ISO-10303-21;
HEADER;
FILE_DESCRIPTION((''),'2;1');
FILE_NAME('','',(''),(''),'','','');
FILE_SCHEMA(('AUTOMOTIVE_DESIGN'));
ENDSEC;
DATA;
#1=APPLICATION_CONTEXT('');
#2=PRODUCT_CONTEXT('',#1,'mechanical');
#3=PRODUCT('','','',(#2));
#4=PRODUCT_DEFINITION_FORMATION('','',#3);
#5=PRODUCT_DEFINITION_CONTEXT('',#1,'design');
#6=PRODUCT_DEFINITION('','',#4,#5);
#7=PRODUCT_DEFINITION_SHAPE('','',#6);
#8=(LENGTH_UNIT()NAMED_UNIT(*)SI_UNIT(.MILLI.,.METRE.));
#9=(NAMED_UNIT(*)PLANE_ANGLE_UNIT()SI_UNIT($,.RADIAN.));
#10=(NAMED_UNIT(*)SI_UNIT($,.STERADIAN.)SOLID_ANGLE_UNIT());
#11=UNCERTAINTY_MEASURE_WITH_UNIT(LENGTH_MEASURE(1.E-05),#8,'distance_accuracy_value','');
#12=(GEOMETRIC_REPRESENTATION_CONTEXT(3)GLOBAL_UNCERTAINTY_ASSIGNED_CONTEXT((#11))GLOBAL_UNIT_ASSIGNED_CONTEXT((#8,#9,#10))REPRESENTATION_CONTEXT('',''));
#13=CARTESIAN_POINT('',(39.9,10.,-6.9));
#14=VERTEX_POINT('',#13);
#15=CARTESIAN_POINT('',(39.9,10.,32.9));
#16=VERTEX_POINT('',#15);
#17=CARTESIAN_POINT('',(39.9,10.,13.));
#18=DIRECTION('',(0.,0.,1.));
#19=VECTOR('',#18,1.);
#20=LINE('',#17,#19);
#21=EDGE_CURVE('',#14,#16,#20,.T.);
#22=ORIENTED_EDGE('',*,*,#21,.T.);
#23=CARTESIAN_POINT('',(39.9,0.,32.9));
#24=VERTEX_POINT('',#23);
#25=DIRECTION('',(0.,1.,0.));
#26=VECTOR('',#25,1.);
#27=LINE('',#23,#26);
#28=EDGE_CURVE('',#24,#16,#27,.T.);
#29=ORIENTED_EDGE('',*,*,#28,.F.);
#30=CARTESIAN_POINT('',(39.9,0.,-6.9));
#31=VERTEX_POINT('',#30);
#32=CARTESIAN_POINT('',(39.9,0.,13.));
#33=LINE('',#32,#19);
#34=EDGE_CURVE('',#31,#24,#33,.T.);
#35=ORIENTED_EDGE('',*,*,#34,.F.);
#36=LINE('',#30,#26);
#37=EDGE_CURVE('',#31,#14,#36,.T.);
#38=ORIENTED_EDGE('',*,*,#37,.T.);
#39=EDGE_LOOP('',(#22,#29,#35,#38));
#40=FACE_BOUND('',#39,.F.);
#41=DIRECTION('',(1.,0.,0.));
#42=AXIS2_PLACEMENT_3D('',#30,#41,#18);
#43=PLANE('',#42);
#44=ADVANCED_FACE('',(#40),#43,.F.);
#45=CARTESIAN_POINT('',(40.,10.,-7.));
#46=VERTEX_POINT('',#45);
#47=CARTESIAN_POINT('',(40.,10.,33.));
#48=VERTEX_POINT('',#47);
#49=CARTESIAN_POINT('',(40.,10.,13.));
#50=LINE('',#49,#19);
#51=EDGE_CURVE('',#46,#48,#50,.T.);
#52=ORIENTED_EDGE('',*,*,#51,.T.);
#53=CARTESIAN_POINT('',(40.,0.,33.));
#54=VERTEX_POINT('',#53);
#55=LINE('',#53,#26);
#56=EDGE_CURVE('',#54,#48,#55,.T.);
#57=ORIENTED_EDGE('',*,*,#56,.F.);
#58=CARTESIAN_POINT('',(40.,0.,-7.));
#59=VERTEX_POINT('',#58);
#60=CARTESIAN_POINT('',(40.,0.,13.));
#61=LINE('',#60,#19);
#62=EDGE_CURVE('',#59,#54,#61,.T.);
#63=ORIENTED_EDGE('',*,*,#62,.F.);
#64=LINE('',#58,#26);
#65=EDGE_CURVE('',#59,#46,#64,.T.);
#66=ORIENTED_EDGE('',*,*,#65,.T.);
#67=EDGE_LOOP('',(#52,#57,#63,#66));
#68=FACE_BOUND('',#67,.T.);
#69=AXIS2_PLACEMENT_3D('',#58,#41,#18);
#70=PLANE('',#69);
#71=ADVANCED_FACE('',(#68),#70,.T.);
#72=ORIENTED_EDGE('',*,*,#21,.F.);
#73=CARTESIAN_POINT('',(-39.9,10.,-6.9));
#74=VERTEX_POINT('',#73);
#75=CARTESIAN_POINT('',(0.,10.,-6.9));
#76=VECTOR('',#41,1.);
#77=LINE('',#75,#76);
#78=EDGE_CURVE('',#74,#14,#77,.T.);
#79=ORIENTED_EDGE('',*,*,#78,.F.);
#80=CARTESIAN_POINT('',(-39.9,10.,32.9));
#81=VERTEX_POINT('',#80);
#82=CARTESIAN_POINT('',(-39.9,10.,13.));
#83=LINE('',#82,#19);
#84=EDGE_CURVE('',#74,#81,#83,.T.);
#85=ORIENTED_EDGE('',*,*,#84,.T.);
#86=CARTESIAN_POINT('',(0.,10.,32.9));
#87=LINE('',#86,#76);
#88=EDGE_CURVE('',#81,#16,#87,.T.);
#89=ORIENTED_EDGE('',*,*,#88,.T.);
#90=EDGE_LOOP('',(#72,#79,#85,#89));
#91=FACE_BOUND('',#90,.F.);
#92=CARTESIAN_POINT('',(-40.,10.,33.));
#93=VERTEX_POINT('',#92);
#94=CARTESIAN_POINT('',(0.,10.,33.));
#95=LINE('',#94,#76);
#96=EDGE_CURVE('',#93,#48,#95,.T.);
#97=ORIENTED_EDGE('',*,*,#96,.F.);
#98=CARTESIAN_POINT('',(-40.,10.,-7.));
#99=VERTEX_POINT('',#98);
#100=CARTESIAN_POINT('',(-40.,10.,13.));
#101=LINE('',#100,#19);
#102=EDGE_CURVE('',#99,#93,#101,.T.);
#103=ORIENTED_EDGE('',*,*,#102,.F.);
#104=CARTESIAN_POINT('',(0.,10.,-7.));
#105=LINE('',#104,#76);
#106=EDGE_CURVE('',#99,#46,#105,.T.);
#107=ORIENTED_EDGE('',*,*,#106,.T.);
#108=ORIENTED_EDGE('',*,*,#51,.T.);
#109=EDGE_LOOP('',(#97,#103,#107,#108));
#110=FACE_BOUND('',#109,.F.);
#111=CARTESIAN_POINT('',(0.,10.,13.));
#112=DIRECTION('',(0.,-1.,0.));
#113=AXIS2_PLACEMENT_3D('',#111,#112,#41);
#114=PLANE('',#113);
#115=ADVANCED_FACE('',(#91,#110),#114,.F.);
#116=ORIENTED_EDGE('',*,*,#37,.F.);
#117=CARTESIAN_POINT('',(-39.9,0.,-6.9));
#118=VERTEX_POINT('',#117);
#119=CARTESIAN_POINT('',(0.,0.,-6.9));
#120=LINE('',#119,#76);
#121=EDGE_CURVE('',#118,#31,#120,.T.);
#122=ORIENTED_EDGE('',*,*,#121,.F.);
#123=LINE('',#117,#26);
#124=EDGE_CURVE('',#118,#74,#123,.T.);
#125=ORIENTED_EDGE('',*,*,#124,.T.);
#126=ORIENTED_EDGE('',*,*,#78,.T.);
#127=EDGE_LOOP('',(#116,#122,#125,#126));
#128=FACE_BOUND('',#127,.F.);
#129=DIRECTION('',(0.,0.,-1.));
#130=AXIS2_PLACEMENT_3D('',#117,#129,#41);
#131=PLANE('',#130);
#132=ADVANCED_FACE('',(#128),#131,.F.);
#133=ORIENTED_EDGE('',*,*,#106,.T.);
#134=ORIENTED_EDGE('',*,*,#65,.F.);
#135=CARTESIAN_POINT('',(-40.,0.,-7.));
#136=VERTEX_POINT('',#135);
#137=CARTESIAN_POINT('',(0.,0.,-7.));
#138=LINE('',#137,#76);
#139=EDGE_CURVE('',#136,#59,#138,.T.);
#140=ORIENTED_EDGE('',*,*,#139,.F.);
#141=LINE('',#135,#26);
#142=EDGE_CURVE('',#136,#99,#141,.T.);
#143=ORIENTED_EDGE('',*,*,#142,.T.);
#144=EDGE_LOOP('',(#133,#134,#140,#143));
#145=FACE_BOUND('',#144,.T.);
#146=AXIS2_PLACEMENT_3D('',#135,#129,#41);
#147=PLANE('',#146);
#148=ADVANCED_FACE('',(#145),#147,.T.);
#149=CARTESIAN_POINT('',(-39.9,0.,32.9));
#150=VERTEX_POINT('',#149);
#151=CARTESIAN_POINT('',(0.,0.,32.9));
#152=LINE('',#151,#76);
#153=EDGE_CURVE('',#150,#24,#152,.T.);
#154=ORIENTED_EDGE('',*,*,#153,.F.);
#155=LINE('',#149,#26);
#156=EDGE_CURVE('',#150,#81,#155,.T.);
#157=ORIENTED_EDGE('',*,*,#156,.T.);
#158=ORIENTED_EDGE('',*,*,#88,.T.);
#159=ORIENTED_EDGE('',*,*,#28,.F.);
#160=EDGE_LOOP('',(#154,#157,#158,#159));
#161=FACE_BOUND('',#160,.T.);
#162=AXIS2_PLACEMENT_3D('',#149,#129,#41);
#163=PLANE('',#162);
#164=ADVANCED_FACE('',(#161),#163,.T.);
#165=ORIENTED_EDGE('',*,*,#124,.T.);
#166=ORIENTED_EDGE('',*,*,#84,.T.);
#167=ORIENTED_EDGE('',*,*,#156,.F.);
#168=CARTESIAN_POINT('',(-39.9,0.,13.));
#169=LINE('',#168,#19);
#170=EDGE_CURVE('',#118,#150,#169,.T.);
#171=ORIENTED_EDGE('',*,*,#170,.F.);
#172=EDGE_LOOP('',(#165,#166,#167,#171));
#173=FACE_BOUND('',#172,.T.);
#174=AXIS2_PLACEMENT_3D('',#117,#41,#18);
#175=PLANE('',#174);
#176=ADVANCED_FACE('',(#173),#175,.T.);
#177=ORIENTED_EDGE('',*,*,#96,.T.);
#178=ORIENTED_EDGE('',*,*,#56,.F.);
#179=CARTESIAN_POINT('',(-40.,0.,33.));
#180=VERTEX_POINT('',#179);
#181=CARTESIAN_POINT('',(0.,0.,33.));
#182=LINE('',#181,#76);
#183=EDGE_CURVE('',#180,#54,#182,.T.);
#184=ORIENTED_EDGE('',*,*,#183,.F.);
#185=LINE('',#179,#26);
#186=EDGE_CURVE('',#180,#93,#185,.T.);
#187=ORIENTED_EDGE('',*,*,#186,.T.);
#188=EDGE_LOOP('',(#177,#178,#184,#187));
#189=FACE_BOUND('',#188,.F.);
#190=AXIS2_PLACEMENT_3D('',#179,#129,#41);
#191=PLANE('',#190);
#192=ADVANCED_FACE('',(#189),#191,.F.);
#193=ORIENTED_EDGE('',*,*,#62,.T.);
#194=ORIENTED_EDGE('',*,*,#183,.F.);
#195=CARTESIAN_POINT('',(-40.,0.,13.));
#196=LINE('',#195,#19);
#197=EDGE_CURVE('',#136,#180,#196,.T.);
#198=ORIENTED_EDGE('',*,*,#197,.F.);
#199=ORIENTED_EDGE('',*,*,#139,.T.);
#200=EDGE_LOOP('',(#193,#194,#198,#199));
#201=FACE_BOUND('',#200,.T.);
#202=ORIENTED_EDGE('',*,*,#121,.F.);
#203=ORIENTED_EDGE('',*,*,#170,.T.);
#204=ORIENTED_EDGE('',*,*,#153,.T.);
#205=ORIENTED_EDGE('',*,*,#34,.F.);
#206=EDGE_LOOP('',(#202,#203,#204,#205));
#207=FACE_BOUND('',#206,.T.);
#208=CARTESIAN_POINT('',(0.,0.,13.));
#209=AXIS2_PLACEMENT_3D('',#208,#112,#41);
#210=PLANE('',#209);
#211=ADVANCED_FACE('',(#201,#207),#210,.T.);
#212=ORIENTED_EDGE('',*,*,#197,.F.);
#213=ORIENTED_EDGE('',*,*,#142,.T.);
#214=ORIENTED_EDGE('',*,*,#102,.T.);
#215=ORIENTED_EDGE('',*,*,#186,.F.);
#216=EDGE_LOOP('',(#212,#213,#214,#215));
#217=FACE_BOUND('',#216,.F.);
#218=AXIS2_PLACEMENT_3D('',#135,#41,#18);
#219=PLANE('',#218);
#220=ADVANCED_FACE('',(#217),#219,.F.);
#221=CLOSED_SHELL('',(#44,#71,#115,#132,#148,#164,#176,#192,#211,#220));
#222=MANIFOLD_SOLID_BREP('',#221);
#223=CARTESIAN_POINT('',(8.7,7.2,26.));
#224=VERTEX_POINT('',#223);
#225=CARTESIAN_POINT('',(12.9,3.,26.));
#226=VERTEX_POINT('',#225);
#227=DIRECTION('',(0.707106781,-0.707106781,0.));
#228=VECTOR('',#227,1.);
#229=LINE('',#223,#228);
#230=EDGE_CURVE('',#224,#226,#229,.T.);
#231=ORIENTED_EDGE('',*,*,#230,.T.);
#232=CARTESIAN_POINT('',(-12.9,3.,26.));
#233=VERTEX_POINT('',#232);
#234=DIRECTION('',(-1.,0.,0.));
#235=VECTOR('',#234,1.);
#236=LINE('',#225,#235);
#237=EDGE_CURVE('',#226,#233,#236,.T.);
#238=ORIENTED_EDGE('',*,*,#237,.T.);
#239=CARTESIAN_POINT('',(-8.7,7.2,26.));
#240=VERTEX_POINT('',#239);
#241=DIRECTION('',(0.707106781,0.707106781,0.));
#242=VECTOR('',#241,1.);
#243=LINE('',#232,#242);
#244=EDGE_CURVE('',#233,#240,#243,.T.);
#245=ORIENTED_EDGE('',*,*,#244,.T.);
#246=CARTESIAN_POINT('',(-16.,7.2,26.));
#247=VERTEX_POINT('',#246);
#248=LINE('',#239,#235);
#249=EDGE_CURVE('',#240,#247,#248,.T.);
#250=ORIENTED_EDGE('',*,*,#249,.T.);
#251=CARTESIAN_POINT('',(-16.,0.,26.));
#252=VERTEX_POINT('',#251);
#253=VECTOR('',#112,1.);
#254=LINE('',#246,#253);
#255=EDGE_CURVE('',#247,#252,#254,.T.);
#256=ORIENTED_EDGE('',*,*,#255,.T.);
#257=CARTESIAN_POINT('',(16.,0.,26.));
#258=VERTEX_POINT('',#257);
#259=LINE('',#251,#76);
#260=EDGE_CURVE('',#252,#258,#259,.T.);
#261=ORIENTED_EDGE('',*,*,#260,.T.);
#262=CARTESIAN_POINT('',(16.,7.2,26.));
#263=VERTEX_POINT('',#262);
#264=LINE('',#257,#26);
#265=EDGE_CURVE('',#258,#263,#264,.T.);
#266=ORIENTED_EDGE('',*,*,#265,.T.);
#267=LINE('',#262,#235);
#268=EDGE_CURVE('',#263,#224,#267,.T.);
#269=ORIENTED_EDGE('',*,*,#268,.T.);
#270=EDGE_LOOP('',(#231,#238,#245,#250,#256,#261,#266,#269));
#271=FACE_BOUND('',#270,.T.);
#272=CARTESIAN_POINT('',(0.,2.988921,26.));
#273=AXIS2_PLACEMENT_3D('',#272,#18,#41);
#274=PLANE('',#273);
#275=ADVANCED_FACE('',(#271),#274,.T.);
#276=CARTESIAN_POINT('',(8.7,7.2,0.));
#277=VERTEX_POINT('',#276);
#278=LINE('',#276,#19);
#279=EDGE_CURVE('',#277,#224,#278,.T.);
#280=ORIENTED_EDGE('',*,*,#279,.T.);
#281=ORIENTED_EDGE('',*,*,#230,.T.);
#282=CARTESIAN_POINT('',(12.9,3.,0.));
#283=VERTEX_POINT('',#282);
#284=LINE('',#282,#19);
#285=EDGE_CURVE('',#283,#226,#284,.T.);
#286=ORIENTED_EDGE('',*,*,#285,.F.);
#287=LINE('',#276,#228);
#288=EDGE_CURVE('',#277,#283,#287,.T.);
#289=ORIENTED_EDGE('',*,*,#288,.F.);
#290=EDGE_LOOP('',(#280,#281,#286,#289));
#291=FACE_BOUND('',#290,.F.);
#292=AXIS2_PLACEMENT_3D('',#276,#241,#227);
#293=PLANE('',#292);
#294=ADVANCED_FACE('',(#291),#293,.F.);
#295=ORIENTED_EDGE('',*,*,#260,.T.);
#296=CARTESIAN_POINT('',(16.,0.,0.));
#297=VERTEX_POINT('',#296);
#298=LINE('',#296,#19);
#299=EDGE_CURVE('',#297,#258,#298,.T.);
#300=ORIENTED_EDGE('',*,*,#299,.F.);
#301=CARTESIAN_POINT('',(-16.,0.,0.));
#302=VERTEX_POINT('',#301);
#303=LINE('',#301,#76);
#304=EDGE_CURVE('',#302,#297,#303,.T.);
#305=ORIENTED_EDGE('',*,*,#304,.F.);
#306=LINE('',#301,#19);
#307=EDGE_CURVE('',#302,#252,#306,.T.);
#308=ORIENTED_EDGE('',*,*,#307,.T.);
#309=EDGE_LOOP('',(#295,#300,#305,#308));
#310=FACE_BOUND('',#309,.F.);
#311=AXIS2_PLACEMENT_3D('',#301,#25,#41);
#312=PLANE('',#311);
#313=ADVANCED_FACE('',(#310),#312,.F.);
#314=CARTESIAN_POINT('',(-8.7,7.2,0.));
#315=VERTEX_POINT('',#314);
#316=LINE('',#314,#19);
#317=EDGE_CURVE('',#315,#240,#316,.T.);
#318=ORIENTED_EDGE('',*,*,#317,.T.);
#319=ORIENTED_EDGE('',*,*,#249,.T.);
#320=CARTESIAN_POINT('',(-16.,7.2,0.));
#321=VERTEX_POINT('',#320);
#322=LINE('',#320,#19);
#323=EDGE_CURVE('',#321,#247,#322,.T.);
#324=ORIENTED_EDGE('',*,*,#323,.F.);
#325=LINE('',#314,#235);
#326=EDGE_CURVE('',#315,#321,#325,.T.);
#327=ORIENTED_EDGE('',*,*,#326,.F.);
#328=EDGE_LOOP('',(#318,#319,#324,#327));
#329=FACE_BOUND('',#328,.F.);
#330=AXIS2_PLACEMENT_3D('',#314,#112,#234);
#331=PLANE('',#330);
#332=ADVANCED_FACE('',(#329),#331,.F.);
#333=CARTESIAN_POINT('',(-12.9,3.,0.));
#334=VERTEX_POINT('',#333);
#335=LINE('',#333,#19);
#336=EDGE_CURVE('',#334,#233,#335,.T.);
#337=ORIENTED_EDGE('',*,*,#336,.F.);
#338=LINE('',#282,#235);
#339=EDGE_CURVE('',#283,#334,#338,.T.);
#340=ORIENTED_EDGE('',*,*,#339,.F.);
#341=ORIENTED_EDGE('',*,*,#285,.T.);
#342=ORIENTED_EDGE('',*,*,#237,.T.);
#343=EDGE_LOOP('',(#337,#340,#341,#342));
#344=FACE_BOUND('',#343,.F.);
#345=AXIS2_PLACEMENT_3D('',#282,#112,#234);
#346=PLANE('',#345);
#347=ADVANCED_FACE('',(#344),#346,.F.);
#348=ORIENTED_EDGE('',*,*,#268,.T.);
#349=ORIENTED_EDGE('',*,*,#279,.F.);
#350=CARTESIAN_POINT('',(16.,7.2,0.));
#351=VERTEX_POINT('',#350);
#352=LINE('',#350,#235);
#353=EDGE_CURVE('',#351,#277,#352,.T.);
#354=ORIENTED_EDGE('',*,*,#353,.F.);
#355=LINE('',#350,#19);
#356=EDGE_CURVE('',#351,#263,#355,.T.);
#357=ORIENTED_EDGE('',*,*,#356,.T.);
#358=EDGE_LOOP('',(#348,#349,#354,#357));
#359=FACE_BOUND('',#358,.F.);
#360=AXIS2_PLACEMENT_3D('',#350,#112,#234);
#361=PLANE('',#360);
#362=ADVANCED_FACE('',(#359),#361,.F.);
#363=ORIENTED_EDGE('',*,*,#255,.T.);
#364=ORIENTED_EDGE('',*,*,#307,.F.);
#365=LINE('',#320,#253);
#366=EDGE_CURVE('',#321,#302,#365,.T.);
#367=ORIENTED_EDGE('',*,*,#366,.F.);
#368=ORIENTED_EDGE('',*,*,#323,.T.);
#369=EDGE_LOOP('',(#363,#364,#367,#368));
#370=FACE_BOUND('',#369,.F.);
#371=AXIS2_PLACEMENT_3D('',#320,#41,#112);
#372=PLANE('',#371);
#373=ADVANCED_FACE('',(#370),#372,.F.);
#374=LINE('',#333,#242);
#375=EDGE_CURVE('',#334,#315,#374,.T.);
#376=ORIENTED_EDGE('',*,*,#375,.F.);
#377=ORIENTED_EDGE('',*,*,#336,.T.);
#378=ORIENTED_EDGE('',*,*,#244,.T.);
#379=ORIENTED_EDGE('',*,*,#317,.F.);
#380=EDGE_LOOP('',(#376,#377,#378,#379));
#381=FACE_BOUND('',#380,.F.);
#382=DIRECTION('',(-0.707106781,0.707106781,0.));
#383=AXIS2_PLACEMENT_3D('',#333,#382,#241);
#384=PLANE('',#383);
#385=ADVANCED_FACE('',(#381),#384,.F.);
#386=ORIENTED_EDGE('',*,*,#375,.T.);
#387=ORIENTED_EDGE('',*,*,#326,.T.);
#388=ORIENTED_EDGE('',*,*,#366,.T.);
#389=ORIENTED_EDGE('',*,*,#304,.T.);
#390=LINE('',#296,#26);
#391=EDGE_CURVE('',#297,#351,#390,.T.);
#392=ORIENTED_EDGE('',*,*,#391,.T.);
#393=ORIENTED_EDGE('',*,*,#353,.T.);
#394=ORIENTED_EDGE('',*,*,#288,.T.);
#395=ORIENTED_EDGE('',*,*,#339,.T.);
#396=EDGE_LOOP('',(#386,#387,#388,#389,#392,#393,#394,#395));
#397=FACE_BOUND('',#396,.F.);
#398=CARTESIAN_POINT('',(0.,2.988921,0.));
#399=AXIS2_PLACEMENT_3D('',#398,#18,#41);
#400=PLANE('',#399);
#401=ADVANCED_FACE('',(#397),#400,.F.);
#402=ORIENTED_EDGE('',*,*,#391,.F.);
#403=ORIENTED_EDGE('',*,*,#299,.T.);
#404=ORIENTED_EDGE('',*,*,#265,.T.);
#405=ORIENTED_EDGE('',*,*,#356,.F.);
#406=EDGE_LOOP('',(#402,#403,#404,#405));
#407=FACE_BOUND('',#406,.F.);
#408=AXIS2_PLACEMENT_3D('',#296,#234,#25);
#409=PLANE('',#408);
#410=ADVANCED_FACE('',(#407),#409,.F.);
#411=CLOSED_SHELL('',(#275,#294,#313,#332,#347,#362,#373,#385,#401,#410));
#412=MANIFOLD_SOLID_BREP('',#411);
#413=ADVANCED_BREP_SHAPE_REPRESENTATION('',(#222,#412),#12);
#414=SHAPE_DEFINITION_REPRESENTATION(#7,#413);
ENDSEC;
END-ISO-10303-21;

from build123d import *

# Parameters (mm, degrees)
F1_DEPTH = 26
F2_W     = 80
F2_H     = 40
F2_W_2   = 79.8
F2_H_2   = 39.8
F3_DEPTH = 10


with BuildPart() as f1:
    # F0 (on Top) → F1 (new body)
    with BuildSketch(Plane.XY):
        Polygon((-16, 7.2), (-16, 0), (16, 0), (16, 7.2), (8.7, 7.2), (12.9, 3), (-12.9, 3), (-8.7, 7.2), align=None)
    extrude(amount=F1_DEPTH)


with BuildPart() as f3:
    # F2 (on face) → F3 (new body)
    with BuildSketch(Plane.XZ):
        with Locations((0, 13)):
            Rectangle(F2_W, F2_H)
        with Locations((0, 13)):
            Rectangle(F2_W_2, F2_H_2, mode=Mode.SUBTRACT)
    extrude(amount=-F3_DEPTH)


solid = Compound([f1.part, f3.part])
